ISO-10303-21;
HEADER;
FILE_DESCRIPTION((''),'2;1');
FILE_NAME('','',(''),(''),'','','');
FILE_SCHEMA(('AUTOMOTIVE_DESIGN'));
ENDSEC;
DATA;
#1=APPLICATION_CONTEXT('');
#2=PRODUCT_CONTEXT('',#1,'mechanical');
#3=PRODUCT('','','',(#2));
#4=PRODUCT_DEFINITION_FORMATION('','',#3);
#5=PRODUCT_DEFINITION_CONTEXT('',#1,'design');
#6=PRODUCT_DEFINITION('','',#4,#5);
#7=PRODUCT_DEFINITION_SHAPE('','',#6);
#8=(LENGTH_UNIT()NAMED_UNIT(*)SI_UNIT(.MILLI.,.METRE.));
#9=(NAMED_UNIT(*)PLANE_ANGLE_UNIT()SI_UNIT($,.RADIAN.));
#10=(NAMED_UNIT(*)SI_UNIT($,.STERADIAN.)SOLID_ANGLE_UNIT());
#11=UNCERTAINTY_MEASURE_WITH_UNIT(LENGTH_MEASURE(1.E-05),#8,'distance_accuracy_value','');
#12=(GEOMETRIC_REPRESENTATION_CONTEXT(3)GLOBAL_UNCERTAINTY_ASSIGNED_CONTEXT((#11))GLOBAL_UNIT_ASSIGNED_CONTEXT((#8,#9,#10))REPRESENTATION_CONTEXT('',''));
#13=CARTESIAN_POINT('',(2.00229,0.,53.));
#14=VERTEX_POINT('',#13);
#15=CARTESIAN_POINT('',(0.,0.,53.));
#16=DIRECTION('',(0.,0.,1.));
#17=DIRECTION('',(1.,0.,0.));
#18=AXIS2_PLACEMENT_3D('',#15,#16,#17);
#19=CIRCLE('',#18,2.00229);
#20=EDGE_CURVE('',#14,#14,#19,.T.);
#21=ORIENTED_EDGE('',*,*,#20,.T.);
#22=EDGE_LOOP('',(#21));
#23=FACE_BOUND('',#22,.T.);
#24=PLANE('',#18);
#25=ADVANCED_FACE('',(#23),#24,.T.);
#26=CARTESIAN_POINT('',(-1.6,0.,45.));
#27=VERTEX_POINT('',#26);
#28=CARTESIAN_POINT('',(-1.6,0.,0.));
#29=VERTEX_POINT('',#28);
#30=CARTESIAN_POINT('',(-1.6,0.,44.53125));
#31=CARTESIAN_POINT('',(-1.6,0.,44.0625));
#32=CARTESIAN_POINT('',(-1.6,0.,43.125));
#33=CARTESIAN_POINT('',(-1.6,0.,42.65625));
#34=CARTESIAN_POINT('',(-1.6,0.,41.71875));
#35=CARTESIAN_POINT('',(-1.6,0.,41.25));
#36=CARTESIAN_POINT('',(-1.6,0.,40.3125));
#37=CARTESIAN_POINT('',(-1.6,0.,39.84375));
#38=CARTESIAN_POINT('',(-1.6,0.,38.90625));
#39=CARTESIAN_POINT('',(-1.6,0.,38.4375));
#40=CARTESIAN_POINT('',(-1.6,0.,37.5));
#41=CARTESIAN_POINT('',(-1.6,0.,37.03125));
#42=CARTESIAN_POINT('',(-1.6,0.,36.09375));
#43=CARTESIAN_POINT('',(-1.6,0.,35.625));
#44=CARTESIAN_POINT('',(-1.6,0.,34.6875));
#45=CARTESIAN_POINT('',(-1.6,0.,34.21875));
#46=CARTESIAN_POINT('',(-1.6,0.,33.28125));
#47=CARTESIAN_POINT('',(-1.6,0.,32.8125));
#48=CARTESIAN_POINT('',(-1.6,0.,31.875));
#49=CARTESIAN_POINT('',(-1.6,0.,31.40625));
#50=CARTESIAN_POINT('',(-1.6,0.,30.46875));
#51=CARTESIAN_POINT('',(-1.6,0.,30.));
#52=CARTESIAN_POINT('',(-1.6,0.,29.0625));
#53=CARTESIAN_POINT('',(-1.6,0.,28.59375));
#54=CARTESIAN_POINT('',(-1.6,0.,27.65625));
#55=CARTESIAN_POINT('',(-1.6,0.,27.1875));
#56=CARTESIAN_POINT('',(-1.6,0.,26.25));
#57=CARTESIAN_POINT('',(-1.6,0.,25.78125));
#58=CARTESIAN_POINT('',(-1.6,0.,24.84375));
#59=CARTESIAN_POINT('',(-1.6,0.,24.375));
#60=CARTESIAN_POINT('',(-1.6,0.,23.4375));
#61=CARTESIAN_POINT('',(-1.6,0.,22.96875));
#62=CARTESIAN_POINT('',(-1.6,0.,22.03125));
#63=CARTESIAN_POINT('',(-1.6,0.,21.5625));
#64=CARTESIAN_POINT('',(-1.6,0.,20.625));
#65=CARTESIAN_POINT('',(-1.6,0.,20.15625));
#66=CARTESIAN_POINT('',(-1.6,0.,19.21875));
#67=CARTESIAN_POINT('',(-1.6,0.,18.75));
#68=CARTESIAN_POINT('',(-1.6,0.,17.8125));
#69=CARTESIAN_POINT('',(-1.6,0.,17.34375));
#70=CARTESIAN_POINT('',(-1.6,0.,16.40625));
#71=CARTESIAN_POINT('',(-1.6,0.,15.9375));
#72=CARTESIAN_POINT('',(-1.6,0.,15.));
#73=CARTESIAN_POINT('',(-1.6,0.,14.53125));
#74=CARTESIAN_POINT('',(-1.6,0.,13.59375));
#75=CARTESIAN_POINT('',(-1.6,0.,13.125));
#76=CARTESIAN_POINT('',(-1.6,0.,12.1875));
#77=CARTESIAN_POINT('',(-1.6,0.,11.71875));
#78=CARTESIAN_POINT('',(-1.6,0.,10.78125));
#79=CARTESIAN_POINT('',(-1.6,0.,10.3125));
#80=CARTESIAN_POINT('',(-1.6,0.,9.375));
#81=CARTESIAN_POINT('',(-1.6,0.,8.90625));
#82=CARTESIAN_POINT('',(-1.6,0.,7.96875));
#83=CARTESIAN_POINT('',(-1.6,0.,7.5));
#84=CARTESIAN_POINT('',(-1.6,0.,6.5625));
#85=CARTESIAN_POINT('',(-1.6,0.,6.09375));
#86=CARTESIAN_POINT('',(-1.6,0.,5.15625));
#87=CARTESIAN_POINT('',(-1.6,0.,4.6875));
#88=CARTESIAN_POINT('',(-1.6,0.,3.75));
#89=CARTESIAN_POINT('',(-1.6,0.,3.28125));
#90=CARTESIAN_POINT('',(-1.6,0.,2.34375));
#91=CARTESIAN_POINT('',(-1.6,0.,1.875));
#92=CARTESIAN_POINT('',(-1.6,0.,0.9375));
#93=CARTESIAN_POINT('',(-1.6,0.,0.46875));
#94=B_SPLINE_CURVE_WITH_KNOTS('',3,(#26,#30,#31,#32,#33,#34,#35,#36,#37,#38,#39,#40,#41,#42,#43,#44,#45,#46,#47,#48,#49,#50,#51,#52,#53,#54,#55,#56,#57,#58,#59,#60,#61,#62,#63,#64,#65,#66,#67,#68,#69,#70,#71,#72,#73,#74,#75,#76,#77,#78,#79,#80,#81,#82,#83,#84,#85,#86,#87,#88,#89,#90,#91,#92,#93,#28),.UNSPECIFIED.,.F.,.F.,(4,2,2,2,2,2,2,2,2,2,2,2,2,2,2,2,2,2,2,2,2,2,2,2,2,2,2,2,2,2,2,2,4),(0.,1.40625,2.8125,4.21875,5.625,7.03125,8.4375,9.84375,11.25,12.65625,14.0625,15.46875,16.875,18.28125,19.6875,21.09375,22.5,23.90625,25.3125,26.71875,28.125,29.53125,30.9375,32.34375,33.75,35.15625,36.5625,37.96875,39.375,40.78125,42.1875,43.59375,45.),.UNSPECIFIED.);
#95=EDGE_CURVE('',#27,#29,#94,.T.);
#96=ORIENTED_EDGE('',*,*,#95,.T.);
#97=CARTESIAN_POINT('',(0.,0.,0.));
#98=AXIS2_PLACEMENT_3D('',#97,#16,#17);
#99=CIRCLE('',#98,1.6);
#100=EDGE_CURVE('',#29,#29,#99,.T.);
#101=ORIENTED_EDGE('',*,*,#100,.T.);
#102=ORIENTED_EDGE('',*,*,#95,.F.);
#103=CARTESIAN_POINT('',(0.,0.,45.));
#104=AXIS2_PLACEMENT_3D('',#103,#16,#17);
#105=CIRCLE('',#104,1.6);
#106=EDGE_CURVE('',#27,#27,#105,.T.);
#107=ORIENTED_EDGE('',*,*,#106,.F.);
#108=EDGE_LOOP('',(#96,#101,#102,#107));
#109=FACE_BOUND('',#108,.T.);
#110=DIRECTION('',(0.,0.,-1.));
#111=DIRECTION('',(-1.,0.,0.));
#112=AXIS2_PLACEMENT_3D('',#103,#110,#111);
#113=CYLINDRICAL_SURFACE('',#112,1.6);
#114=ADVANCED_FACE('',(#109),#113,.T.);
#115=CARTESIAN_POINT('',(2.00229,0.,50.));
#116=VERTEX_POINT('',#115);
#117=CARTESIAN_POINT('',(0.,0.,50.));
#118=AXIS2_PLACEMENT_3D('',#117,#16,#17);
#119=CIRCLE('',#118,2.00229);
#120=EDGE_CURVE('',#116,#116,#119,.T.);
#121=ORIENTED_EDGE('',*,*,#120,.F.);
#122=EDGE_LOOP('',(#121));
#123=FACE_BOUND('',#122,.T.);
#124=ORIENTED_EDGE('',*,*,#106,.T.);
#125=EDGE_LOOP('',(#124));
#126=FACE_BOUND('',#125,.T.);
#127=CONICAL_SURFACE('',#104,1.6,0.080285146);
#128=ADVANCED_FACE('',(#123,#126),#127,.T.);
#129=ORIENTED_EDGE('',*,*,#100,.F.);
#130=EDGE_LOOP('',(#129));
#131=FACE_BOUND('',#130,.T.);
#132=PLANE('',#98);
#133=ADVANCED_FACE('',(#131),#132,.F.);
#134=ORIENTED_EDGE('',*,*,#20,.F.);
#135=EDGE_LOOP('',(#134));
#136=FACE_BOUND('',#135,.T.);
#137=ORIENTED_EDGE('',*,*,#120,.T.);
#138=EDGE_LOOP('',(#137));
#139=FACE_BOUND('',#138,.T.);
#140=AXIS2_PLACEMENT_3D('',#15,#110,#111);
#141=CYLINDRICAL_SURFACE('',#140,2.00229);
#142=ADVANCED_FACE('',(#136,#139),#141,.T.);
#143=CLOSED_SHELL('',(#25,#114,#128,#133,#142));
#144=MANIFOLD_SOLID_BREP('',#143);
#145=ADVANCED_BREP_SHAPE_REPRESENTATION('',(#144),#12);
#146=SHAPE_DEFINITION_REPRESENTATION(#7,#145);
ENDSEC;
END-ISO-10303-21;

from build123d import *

# Parameters (mm, degrees)
SCHIZZO1_R                   = 1.6
ESTRUSIONE_ESTRUSIONE1_DEPTH = 45
SCHIZZO2_R                   = 1.6
ESTRUSIONE_ESTRUSIONE2_DEPTH = 5
ESTRUSIONE_ESTRUSIONE2_DRAFT = -4.6
SCHIZZO3_R                   = 2.002290448
ESTRUSIONE_ESTRUSIONE3_DEPTH = 3


with BuildPart() as part:
    # Schizzo1 → Estrusione-Estrusione1 (new body)
    with BuildSketch(Plane(origin=(0, 0, 0), x_dir=(0, 1, 0), z_dir=(0, 0, 1))):
        with Locations(Location((0, 0, 0), (0, 0, 90))):
            Circle(SCHIZZO1_R)
    extrude(amount=ESTRUSIONE_ESTRUSIONE1_DEPTH)


with BuildPart() as estrusione_estrusione2_tool:
    # Schizzo2 → Estrusione-Estrusione2 (with draft: the straight prism first)
    with BuildSketch(Plane.XY.offset(45)):
        with Locations(Location((0, 0, 0), (0, 0, 180))):
            Circle(SCHIZZO2_R)
    extrude(amount=ESTRUSIONE_ESTRUSIONE2_DEPTH)
    # Estrusione-Estrusione2: the draft: its side faces are tilted about the plane it starts from
    estrusione_estrusione2_sides = [estrusione_estrusione2_tool.faces().sort_by_distance(p)[0] for p in [
        (1.6, 0, 47.5),
    ]]
    draft(estrusione_estrusione2_sides, Plane.XY.offset(45), ESTRUSIONE_ESTRUSIONE2_DRAFT)


with BuildPart() as part_1:
    add(part.part)

    # Estrusione-Estrusione2: add estrusione_estrusione2_tool
    add(estrusione_estrusione2_tool.part)

    # Schizzo3 → Estrusione-Estrusione3 (add)
    with BuildSketch(Plane.XY.offset(50)):
        Circle(SCHIZZO3_R)
    extrude(amount=ESTRUSIONE_ESTRUSIONE3_DEPTH)


solid = part_1.part
